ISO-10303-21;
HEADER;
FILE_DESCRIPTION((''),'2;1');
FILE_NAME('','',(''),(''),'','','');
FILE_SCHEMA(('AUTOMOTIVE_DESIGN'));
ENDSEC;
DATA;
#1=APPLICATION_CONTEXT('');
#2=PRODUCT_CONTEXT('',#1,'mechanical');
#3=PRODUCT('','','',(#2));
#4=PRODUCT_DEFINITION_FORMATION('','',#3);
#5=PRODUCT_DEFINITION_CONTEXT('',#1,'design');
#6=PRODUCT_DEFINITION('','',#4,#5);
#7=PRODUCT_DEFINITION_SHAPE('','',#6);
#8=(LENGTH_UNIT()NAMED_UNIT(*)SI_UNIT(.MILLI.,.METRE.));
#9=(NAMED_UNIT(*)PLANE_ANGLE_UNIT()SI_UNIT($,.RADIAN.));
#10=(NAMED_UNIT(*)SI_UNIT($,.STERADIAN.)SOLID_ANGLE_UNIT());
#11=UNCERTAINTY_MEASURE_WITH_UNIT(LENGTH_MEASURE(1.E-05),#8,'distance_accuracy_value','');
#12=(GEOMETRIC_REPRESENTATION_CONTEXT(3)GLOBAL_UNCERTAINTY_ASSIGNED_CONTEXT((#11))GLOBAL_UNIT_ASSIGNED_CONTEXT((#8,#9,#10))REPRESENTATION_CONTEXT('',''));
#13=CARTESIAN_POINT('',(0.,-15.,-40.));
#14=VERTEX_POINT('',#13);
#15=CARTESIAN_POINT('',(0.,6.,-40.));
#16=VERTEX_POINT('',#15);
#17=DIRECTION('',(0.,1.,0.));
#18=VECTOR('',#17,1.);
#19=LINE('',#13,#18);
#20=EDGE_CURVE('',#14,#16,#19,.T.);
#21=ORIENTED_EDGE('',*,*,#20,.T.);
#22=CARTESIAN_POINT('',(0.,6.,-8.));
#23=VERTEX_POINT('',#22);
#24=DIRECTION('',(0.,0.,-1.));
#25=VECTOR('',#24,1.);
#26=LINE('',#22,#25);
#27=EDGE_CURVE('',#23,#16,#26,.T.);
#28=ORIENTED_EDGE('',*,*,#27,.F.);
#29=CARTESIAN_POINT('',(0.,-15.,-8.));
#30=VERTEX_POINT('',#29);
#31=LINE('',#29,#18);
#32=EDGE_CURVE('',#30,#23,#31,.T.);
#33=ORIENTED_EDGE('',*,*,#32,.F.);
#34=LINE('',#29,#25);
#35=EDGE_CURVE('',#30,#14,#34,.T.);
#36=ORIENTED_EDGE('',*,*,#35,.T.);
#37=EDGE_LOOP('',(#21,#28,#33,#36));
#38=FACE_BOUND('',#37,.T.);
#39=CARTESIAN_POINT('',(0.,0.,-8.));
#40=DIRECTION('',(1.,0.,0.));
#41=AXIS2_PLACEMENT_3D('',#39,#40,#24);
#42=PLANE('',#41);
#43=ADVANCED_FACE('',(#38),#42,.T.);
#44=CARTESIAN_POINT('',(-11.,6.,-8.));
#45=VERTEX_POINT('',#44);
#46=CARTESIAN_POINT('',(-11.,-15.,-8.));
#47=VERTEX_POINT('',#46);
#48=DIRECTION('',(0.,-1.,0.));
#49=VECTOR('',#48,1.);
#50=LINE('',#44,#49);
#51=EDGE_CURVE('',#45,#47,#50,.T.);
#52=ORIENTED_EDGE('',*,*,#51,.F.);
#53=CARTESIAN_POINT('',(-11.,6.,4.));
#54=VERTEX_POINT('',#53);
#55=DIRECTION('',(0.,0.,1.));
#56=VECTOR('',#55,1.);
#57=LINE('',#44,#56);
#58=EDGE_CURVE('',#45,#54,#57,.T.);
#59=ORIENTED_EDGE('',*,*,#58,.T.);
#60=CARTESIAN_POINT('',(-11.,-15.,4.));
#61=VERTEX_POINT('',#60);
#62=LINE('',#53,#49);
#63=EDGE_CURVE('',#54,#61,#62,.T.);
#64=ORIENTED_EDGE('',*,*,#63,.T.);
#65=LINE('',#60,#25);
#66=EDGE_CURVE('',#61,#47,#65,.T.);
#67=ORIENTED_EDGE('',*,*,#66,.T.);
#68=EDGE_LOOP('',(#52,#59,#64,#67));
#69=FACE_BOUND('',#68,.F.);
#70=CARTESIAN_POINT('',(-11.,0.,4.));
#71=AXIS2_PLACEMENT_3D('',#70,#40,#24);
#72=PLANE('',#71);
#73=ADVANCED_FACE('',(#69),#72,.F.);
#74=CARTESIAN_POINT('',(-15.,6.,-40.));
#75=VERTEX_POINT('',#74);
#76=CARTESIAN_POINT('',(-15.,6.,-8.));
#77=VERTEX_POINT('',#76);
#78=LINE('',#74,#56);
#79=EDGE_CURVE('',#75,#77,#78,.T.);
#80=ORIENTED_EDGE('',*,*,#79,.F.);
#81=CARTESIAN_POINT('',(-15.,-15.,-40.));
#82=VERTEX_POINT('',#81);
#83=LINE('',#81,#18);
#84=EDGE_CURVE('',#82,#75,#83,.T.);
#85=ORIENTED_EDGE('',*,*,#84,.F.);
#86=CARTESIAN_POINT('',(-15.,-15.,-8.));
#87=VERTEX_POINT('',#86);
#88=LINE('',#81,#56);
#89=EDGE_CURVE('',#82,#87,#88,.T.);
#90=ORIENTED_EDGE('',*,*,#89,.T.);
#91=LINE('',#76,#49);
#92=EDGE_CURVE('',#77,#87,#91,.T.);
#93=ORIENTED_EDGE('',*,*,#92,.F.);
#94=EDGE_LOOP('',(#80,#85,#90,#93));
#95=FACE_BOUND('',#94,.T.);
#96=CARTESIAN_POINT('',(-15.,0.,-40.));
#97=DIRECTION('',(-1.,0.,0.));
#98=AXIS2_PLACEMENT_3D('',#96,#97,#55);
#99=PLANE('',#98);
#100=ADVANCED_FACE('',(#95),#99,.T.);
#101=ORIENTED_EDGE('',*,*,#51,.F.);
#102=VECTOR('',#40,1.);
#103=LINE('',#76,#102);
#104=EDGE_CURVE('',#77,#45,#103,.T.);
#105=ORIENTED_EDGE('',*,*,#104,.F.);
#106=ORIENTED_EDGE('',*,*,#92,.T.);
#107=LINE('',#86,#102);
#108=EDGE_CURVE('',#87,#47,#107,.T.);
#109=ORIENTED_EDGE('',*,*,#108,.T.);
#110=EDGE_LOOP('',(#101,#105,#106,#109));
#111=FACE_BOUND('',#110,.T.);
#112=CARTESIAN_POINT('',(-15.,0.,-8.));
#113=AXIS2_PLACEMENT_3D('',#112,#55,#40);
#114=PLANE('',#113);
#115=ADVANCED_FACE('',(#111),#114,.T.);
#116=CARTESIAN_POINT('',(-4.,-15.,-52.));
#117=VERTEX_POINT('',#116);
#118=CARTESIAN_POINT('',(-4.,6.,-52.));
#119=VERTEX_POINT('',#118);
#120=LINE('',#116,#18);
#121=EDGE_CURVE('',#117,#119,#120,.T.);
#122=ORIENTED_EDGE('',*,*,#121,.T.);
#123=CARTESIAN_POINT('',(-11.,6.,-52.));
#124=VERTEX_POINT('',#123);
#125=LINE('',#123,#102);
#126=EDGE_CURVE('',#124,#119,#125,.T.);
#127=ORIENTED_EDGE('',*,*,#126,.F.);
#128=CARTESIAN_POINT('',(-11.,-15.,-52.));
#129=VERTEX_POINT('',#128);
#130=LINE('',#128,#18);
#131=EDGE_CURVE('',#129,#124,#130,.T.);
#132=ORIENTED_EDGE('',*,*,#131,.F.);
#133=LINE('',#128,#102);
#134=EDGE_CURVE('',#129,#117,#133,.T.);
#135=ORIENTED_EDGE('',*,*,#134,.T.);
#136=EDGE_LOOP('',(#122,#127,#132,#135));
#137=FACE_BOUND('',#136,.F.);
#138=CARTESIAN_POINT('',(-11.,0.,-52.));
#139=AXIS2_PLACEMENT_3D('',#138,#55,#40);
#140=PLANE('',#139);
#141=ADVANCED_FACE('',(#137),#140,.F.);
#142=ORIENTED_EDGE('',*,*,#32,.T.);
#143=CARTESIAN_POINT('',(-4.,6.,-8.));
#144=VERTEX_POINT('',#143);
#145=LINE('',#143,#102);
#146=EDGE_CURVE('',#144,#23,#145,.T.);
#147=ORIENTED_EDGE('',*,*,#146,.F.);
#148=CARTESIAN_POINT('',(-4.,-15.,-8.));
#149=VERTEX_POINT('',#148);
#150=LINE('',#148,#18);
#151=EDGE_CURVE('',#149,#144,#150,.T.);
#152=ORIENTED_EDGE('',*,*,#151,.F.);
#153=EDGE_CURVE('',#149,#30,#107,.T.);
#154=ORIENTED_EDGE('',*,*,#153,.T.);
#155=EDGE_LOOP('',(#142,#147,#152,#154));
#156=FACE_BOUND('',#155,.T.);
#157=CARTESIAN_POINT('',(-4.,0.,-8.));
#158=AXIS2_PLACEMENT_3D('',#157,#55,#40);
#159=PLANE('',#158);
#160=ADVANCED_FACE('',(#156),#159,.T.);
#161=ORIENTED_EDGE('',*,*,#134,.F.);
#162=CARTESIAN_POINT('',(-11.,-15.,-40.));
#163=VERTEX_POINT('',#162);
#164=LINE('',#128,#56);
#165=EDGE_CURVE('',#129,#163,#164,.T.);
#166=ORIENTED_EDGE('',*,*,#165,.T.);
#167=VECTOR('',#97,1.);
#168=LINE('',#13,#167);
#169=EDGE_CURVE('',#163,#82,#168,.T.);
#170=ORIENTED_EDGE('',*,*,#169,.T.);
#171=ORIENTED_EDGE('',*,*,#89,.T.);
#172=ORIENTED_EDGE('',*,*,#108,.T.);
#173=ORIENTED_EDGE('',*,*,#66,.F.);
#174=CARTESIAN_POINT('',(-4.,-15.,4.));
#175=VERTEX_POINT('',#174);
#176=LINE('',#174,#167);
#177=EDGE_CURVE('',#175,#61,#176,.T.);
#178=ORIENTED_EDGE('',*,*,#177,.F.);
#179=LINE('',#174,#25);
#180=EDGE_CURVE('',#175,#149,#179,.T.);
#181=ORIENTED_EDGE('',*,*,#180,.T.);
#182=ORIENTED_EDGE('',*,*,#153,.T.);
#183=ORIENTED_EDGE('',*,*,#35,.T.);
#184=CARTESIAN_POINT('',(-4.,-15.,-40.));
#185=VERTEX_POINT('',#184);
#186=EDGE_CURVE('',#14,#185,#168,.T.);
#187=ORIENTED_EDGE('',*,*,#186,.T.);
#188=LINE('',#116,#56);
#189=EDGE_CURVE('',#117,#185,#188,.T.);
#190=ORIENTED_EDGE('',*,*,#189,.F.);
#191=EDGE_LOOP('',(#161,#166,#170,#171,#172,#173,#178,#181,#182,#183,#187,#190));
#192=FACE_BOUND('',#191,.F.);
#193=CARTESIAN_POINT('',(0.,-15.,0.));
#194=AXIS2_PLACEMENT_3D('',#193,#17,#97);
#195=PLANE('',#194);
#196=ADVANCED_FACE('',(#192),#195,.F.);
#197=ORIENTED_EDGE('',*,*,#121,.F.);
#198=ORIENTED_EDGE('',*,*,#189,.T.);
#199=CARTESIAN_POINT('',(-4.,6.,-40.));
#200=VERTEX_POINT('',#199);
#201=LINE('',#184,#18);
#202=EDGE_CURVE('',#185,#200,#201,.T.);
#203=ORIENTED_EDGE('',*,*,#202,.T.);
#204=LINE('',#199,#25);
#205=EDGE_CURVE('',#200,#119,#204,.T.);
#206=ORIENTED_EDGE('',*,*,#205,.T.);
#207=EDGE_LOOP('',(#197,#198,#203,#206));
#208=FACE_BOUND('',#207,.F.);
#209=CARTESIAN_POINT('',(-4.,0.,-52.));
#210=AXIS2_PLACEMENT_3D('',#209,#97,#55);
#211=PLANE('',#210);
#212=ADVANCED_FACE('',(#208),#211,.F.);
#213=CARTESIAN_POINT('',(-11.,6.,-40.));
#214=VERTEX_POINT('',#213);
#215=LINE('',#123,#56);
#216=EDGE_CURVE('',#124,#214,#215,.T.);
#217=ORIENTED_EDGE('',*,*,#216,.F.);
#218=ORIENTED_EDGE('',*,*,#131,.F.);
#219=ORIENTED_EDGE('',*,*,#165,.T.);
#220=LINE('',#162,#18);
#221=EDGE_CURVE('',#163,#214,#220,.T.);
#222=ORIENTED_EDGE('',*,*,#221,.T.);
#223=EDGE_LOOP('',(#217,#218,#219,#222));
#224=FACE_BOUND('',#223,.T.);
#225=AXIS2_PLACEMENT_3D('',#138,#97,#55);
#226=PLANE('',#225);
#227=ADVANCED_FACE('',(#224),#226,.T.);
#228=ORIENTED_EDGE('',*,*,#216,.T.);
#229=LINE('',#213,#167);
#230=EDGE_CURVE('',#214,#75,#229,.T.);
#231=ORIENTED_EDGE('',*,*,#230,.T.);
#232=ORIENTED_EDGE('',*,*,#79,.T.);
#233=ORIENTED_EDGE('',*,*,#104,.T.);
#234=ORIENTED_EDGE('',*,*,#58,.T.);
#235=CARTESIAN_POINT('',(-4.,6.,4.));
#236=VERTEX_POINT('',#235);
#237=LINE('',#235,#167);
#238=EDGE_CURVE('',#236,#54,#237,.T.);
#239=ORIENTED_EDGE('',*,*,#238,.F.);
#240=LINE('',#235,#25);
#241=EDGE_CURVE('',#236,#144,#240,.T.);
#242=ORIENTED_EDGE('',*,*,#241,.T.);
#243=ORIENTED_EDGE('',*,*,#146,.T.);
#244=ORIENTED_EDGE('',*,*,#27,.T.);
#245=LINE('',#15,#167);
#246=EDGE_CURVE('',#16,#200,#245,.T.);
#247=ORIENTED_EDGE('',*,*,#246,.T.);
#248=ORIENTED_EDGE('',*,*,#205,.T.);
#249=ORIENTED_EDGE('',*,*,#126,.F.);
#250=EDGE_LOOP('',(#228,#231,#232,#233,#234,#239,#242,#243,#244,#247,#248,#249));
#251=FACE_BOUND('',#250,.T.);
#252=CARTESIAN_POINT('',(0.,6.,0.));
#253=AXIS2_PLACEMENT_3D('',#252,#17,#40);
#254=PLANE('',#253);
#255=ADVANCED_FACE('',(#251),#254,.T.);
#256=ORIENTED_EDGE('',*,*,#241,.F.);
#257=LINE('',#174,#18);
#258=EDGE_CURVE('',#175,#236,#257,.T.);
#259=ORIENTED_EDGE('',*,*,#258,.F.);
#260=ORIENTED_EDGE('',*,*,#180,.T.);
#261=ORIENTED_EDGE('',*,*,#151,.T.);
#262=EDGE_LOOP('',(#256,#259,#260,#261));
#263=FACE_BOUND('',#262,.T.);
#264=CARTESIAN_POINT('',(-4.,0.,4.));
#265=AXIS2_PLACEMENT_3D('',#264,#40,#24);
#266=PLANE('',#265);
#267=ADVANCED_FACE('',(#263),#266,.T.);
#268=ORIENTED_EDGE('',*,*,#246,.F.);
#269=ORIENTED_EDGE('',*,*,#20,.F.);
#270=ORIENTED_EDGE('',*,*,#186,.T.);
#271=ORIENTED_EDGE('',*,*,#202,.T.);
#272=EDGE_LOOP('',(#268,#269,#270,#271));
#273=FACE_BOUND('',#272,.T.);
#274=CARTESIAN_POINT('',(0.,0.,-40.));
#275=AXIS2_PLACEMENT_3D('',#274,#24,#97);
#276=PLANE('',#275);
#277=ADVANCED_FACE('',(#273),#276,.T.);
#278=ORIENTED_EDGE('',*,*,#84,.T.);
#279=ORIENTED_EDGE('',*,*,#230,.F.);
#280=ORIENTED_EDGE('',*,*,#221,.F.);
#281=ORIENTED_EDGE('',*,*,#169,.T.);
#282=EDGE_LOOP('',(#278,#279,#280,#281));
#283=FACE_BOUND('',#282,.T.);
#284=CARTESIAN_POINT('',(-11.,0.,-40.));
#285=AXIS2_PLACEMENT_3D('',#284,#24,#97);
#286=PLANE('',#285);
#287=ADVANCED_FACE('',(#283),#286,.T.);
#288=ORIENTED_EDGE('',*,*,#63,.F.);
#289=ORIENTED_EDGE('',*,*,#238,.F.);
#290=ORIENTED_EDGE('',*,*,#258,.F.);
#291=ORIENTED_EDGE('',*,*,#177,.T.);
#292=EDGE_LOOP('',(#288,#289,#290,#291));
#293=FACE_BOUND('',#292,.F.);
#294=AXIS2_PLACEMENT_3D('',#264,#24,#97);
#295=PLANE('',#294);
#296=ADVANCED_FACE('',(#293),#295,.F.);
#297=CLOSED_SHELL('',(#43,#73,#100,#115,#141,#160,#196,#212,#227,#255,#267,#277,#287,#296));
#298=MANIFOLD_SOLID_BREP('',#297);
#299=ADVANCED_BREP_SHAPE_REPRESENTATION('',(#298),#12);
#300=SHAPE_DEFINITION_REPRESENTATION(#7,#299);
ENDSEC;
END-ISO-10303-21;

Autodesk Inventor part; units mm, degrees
ref_plane "YZ Plane" through (0, 0, 0) normal (1, 0, 0) x (0, 1, 0)
ref_plane "XZ Plane" through (0, 0, 0) normal (0, 1, 0) x (-1, 0, 0)
ref_plane "XY Plane" through (0, 0, 0) normal (0, 0, 1) x (1, 0, 0)
sketch "Sketch1" plane through (0, 0, 0) normal (0, 1, 0) x (-1, 0, 0)
  line L0 (4, 4) -> (11, 4) projected
  line L1 (11, -8) -> (4, -8) projected
  line L2 (11, -52) -> (4, -52) projected
  line L3 (4, -40) -> (11, -40) projected
  line L4 (15, -8) -> (0, -8)
  line L5 (0, -8) -> (0, -40)
  line L6 (0, -40) -> (15, -40)
  line L7 (15, -40) -> (15, -8)
  line L8 (11, 4) -> (11, -8) projected
  line L9 (4, 4) -> (4, -8) projected
  line L10 (4, -52) -> (4, -40) projected
  line L11 (11, -52) -> (11, -40) projected
  point P0 (4, 0)
  point P1 (11, 0)
  point P2 (11, -48)
  point P3 (4, -48)
  point P4 (0, -8)
  point P5 (15, -40)
extrude "Extrusion1" add sketch "Sketch1" against normal blind 15
sketch "Sketch2" plane through (0, 0, 0) normal (0, 1, 0) x (1, 0, 0)
  line L0 (-4, 8) -> (0, 8) projected
  line L1 (0, 8) -> (0, 40) projected
  line L2 (0, 40) -> (-4, 40) projected
  line L3 (-11, 40) -> (-15, 40) projected
  line L4 (-15, 40) -> (-15, 8) projected
  line L5 (-15, 8) -> (-11, 8) projected
  line L6 (-11, 52) -> (-4, 52) projected
  line L7 (-4, 40) -> (-11, 40) projected
  line L8 (-4, -4) -> (-11, -4) projected
  line L9 (-11, 8) -> (-4, 8) projected
  line L10 (-11, 52) -> (-11, 40) projected
  line L11 (-11, 8) -> (-11, -4) projected
  line L12 (-11, -4) -> (-4, -4) projected
  line L13 (-4, -4) -> (-4, 8) projected
  line L14 (-4, 40) -> (-4, 52) projected
  line L15 (-4, 52) -> (-11, 52) projected
  line L16 (-4, 52) -> (-4, 40) projected
  line L17 (-11, 52) -> (-11, 40) projected
  line L18 (-11, -4) -> (-11, 8) projected
  line L19 (-4, -4) -> (-4, 8) projected
  point P0 (-4, 0)
  point P1 (-4, 48)
  point P2 (-11, 48)
  point P3 (-11, 0)
extrude "Extrusion2" add sketch "Sketch2" along normal blind 6
sketch "Sketch3" plane through (0, 0, -52) normal (0, 0, -1) x (-1, 0, 0)
  line L0 (4, 6) -> (11, 6) projected
  line L1 (11, -15) -> (4, -15) projected
  line L2 (11, 6) -> (11, -15) projected
  line L3 (4, -15) -> (4, 6) projected
  point P0 (0, 0)
properties part number "Connector"
